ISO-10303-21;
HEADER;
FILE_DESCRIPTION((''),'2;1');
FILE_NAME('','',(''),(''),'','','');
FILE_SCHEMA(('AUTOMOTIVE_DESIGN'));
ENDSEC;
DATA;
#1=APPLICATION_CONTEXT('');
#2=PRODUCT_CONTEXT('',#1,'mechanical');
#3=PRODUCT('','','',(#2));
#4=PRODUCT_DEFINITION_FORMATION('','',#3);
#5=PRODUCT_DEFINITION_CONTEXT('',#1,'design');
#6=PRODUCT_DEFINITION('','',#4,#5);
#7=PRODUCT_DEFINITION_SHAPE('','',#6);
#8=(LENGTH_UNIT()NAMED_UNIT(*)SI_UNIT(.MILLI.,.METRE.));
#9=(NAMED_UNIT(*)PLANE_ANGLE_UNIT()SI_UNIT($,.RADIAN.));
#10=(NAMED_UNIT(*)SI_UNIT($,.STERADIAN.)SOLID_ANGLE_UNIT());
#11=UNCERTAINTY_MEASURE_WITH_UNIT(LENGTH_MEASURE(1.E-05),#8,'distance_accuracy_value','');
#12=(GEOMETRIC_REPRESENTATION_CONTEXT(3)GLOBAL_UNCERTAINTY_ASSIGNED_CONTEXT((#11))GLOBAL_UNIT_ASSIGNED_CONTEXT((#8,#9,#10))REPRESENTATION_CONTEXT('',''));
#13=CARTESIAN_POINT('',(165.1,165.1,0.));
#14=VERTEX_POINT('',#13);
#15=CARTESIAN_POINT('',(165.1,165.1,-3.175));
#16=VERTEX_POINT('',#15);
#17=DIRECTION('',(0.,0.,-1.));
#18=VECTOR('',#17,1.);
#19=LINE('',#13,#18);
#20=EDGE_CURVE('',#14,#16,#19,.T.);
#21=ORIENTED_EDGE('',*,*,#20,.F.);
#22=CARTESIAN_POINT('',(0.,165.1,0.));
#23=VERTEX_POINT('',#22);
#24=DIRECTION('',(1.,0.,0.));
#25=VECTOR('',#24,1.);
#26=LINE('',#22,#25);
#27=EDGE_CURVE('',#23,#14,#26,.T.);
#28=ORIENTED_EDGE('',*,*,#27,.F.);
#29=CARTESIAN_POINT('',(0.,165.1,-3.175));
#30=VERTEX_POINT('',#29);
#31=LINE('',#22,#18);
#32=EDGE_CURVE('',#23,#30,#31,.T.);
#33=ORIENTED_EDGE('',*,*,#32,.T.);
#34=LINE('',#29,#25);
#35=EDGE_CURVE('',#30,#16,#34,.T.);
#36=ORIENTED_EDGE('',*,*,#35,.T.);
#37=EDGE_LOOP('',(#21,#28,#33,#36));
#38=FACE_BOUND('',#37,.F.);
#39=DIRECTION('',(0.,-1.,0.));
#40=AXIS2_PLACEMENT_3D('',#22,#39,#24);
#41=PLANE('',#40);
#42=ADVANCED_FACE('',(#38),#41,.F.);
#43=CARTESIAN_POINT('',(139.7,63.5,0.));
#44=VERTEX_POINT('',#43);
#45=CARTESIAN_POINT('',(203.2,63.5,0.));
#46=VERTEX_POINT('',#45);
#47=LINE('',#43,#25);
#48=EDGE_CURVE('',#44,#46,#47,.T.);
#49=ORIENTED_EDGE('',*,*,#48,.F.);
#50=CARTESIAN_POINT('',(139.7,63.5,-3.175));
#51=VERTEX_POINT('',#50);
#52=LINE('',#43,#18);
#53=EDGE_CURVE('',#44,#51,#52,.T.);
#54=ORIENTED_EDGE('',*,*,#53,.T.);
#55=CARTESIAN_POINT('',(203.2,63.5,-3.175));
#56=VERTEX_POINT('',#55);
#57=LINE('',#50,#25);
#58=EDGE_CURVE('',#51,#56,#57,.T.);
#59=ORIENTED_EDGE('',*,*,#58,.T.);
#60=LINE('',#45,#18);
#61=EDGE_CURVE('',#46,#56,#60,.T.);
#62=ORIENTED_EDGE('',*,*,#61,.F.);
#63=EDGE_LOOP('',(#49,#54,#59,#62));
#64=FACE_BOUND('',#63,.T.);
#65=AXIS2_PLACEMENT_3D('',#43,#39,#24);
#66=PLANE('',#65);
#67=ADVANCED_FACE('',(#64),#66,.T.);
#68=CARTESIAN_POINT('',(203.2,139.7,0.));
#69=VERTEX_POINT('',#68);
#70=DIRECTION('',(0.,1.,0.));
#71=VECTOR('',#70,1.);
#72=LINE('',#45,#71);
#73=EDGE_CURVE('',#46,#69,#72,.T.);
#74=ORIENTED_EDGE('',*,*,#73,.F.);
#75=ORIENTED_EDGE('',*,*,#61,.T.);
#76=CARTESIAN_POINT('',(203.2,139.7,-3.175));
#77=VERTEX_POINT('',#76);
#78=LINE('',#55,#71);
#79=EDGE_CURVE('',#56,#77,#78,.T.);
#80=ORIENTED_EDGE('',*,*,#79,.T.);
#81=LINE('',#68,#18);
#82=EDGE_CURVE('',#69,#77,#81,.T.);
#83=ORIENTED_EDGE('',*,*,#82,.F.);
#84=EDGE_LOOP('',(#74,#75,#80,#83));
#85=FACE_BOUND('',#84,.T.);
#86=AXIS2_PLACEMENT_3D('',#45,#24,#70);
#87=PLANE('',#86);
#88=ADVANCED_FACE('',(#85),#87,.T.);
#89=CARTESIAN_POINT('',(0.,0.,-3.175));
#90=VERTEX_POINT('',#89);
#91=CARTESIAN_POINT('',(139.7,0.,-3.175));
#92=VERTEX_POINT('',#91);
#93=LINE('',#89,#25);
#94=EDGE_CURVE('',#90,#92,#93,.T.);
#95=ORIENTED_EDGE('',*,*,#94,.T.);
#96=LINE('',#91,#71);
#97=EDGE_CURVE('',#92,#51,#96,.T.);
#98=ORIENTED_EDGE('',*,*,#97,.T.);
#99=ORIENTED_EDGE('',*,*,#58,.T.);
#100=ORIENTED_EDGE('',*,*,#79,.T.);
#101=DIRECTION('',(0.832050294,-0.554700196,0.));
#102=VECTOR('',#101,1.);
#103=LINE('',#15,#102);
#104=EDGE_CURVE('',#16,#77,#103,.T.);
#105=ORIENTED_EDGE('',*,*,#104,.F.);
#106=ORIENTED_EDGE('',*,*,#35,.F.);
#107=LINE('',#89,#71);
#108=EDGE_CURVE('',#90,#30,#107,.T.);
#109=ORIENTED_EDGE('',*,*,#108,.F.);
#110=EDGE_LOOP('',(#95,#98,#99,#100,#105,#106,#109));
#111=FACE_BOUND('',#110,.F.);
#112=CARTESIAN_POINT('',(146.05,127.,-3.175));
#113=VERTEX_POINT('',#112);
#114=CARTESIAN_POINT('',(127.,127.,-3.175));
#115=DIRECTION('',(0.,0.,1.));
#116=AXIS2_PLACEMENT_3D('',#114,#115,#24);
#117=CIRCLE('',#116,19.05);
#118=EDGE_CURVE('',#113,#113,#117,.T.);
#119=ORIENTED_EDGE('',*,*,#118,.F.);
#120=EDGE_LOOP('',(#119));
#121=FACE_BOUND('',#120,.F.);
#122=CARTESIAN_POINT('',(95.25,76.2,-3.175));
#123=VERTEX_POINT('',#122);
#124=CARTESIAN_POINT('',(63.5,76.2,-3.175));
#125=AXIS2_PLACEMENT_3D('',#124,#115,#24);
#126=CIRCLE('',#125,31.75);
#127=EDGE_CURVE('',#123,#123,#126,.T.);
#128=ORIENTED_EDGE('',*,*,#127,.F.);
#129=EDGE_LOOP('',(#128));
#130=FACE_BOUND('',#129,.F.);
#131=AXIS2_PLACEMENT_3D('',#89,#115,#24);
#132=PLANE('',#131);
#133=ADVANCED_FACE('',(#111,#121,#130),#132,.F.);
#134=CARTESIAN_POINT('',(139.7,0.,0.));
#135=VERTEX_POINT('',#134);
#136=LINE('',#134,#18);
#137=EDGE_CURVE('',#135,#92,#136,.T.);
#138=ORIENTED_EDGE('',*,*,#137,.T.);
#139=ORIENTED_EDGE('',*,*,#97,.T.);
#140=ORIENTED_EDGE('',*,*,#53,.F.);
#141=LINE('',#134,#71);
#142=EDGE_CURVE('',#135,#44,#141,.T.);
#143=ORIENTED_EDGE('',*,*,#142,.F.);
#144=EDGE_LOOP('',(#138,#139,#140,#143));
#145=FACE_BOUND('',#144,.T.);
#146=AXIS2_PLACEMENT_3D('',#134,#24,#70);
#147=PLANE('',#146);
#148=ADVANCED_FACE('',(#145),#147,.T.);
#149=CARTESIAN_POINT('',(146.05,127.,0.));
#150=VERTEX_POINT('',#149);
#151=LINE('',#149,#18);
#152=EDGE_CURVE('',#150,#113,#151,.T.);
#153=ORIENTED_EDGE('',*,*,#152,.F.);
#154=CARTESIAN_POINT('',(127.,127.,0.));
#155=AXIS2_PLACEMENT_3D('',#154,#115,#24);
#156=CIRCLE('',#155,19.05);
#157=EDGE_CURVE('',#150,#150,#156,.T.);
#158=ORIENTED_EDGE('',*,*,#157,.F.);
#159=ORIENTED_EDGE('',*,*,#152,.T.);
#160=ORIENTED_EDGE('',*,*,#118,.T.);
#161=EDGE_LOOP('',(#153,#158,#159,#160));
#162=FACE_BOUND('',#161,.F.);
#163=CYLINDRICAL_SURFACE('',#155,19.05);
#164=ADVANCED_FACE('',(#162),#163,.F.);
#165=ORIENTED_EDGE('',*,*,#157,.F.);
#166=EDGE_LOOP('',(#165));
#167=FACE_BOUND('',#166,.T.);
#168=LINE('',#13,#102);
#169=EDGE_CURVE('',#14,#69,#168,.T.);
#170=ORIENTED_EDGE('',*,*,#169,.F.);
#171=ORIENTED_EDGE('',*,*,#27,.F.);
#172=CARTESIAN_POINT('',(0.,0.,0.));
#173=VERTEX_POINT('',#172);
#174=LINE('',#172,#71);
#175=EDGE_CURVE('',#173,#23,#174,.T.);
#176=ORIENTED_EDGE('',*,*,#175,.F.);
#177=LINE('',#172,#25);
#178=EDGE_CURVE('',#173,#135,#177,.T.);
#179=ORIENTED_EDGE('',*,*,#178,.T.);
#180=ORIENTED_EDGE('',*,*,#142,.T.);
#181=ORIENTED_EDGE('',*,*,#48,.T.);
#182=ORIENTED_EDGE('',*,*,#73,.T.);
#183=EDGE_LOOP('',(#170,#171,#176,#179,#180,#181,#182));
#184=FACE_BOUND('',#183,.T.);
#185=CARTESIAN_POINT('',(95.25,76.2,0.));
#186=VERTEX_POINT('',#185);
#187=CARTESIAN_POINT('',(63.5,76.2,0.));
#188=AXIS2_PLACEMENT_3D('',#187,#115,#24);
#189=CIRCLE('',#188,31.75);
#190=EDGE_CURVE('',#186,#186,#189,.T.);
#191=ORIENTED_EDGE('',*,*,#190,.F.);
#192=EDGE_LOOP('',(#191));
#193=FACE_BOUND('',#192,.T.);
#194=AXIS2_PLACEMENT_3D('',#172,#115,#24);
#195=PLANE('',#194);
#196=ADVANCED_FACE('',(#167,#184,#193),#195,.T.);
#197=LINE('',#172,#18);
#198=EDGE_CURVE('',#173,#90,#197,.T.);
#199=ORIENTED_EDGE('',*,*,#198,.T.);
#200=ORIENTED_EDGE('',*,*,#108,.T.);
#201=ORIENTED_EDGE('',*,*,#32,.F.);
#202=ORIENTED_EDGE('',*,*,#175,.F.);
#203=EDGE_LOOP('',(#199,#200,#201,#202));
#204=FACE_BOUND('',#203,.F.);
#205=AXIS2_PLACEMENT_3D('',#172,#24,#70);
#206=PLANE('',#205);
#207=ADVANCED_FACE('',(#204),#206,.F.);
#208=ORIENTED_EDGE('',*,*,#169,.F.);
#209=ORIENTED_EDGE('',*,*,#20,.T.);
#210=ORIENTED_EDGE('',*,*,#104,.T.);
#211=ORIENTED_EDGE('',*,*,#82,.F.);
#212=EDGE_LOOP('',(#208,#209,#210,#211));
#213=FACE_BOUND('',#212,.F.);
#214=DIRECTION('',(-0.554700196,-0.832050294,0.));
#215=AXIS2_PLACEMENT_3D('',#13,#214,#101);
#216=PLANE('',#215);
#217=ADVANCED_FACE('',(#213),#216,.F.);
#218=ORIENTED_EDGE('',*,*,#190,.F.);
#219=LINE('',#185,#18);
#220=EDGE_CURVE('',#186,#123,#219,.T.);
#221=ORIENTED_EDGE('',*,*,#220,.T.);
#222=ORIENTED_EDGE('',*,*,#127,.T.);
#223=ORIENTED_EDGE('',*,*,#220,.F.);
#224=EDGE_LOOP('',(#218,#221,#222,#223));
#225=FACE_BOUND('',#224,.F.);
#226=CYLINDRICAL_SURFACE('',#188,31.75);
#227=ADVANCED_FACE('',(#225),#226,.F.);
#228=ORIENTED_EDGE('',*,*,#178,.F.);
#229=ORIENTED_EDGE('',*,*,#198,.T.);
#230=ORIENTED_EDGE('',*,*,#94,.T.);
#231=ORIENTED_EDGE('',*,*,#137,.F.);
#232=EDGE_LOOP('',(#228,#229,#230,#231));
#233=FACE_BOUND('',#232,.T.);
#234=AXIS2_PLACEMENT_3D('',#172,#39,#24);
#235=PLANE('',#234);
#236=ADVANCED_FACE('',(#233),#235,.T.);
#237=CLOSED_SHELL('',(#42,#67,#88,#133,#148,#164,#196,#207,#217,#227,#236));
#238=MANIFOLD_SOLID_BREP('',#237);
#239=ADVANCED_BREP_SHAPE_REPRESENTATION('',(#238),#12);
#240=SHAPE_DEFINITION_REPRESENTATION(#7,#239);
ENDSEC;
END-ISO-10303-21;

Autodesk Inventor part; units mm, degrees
ref_plane "YZ Plane" through (0, 0, 0) normal (1, 0, 0) x (0, 1, 0)
ref_plane "XZ Plane" through (0, 0, 0) normal (0, 1, 0) x (-1, 0, 0)
ref_plane "XY Plane" through (0, 0, 0) normal (0, 0, 1) x (1, 0, 0)
sketch "Sketch1" plane through (0, 0, 0) normal (0, 0, 1) x (1, 0, 0)
  line L0 (0, 0) -> (139.7, 0)
  line L1 (139.7, 0) -> (139.7, 63.5)
  line L2 (139.7, 63.5) -> (203.2, 63.5)
  line L3 (203.2, 63.5) -> (203.2, 139.7)
  line L4 (0, 0) -> (0, 165.1)
  line L5 (0, 165.1) -> (165.1, 165.1)
  line L6 (165.1, 165.1) -> (203.2, 139.7)
  circle A0 centre (63.5, 76.2) radius 31.75
  circle A1 centre (127, 127) radius 19.05
  dimension "d0" = 139.7
  dimension "d1" = 63.5
  dimension "d2" = 63.5
  dimension "d3" = 76.2
  dimension "d4" = 165.1
  dimension "d5" = 165.1
  dimension "d8" = 63.5
  dimension "d11" = 38.1
extrude "Extrusion1" add sketch "Sketch1" against normal blind 3.175
properties part number "Assignment 4.2 - Spacer Plate"
